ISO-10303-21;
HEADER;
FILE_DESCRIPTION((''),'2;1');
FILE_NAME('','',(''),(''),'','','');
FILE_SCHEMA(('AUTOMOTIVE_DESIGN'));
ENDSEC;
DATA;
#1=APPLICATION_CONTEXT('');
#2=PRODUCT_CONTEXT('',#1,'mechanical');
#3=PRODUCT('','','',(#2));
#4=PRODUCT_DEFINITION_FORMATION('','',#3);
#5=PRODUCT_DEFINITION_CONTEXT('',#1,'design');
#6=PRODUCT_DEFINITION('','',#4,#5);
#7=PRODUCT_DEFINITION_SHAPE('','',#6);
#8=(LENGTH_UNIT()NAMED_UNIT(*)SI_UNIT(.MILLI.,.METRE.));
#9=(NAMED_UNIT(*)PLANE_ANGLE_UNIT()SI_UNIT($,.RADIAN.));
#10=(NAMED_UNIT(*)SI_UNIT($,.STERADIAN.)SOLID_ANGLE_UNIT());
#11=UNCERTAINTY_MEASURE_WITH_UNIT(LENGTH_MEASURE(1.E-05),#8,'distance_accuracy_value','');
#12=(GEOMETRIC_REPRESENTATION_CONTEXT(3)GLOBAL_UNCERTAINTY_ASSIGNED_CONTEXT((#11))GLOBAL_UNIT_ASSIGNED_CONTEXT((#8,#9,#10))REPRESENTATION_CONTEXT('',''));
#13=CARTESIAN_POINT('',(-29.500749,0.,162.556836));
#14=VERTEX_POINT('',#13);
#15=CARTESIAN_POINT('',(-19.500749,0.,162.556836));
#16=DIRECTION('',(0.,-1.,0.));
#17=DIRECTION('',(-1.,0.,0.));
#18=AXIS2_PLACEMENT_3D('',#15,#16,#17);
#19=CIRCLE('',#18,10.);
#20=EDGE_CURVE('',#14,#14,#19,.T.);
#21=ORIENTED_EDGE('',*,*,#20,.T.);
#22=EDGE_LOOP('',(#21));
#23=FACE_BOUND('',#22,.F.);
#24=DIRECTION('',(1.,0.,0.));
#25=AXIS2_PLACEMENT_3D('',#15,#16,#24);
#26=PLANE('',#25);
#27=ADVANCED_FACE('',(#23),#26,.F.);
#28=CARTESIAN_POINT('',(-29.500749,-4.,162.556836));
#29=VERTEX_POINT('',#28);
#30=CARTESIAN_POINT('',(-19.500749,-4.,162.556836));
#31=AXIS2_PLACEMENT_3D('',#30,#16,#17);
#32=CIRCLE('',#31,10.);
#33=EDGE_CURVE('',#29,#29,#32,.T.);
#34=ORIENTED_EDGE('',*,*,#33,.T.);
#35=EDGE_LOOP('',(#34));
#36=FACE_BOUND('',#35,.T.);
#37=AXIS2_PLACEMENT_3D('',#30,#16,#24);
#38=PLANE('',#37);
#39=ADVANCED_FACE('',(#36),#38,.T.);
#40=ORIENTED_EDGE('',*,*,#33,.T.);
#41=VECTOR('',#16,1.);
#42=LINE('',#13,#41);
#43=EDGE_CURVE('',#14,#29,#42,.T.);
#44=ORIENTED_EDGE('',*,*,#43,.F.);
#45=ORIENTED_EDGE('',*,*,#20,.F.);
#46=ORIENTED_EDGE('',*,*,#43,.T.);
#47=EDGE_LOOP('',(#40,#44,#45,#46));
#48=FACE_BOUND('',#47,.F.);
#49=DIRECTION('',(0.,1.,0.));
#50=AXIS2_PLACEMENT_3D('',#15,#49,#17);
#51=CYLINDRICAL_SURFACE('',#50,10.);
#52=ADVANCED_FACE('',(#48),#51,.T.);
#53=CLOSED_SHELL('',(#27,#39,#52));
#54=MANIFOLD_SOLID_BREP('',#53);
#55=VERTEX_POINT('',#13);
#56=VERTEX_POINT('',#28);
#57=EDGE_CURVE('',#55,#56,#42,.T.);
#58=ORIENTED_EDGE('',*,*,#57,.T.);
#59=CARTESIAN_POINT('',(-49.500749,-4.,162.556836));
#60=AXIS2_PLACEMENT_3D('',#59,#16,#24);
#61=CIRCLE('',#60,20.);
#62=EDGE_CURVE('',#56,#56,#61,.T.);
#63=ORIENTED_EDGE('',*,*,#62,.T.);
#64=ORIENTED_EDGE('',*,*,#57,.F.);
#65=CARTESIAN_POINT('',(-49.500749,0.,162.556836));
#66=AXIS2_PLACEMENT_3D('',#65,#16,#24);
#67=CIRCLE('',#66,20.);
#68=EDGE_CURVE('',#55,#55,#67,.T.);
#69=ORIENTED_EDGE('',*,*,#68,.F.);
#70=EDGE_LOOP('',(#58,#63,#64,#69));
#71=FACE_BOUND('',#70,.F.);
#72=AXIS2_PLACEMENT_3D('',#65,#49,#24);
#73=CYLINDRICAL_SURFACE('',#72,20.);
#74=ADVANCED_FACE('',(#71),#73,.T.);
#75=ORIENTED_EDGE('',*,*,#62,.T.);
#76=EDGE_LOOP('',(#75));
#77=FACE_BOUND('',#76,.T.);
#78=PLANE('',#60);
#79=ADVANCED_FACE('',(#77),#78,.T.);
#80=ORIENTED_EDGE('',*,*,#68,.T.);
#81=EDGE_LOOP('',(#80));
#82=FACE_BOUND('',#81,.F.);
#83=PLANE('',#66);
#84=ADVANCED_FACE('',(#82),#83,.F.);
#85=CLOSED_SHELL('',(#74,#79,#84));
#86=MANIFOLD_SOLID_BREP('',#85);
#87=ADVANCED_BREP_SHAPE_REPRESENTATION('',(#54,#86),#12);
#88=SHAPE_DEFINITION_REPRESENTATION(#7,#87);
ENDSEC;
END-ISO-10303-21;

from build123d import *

# Parameters (mm, degrees)
F0_R     = 20
F1_DEPTH = 4


with BuildPart() as f1:
    # F0 (on Front) → F1 (new body)
    with BuildSketch(Plane.XZ):
        with Locations((-49.500749, 162.556836)):
            Circle(F0_R)
        with BuildLine():
            ThreePointArc((-9.500749, 162.556836), (-19.500749, 172.556836), (-29.500749, 162.556836))
            ThreePointArc((-29.500749, 162.556836), (-19.500749, 152.556836), (-9.500749, 162.556836))
        make_face()
    extrude(amount=F1_DEPTH)


solid = f1.part
